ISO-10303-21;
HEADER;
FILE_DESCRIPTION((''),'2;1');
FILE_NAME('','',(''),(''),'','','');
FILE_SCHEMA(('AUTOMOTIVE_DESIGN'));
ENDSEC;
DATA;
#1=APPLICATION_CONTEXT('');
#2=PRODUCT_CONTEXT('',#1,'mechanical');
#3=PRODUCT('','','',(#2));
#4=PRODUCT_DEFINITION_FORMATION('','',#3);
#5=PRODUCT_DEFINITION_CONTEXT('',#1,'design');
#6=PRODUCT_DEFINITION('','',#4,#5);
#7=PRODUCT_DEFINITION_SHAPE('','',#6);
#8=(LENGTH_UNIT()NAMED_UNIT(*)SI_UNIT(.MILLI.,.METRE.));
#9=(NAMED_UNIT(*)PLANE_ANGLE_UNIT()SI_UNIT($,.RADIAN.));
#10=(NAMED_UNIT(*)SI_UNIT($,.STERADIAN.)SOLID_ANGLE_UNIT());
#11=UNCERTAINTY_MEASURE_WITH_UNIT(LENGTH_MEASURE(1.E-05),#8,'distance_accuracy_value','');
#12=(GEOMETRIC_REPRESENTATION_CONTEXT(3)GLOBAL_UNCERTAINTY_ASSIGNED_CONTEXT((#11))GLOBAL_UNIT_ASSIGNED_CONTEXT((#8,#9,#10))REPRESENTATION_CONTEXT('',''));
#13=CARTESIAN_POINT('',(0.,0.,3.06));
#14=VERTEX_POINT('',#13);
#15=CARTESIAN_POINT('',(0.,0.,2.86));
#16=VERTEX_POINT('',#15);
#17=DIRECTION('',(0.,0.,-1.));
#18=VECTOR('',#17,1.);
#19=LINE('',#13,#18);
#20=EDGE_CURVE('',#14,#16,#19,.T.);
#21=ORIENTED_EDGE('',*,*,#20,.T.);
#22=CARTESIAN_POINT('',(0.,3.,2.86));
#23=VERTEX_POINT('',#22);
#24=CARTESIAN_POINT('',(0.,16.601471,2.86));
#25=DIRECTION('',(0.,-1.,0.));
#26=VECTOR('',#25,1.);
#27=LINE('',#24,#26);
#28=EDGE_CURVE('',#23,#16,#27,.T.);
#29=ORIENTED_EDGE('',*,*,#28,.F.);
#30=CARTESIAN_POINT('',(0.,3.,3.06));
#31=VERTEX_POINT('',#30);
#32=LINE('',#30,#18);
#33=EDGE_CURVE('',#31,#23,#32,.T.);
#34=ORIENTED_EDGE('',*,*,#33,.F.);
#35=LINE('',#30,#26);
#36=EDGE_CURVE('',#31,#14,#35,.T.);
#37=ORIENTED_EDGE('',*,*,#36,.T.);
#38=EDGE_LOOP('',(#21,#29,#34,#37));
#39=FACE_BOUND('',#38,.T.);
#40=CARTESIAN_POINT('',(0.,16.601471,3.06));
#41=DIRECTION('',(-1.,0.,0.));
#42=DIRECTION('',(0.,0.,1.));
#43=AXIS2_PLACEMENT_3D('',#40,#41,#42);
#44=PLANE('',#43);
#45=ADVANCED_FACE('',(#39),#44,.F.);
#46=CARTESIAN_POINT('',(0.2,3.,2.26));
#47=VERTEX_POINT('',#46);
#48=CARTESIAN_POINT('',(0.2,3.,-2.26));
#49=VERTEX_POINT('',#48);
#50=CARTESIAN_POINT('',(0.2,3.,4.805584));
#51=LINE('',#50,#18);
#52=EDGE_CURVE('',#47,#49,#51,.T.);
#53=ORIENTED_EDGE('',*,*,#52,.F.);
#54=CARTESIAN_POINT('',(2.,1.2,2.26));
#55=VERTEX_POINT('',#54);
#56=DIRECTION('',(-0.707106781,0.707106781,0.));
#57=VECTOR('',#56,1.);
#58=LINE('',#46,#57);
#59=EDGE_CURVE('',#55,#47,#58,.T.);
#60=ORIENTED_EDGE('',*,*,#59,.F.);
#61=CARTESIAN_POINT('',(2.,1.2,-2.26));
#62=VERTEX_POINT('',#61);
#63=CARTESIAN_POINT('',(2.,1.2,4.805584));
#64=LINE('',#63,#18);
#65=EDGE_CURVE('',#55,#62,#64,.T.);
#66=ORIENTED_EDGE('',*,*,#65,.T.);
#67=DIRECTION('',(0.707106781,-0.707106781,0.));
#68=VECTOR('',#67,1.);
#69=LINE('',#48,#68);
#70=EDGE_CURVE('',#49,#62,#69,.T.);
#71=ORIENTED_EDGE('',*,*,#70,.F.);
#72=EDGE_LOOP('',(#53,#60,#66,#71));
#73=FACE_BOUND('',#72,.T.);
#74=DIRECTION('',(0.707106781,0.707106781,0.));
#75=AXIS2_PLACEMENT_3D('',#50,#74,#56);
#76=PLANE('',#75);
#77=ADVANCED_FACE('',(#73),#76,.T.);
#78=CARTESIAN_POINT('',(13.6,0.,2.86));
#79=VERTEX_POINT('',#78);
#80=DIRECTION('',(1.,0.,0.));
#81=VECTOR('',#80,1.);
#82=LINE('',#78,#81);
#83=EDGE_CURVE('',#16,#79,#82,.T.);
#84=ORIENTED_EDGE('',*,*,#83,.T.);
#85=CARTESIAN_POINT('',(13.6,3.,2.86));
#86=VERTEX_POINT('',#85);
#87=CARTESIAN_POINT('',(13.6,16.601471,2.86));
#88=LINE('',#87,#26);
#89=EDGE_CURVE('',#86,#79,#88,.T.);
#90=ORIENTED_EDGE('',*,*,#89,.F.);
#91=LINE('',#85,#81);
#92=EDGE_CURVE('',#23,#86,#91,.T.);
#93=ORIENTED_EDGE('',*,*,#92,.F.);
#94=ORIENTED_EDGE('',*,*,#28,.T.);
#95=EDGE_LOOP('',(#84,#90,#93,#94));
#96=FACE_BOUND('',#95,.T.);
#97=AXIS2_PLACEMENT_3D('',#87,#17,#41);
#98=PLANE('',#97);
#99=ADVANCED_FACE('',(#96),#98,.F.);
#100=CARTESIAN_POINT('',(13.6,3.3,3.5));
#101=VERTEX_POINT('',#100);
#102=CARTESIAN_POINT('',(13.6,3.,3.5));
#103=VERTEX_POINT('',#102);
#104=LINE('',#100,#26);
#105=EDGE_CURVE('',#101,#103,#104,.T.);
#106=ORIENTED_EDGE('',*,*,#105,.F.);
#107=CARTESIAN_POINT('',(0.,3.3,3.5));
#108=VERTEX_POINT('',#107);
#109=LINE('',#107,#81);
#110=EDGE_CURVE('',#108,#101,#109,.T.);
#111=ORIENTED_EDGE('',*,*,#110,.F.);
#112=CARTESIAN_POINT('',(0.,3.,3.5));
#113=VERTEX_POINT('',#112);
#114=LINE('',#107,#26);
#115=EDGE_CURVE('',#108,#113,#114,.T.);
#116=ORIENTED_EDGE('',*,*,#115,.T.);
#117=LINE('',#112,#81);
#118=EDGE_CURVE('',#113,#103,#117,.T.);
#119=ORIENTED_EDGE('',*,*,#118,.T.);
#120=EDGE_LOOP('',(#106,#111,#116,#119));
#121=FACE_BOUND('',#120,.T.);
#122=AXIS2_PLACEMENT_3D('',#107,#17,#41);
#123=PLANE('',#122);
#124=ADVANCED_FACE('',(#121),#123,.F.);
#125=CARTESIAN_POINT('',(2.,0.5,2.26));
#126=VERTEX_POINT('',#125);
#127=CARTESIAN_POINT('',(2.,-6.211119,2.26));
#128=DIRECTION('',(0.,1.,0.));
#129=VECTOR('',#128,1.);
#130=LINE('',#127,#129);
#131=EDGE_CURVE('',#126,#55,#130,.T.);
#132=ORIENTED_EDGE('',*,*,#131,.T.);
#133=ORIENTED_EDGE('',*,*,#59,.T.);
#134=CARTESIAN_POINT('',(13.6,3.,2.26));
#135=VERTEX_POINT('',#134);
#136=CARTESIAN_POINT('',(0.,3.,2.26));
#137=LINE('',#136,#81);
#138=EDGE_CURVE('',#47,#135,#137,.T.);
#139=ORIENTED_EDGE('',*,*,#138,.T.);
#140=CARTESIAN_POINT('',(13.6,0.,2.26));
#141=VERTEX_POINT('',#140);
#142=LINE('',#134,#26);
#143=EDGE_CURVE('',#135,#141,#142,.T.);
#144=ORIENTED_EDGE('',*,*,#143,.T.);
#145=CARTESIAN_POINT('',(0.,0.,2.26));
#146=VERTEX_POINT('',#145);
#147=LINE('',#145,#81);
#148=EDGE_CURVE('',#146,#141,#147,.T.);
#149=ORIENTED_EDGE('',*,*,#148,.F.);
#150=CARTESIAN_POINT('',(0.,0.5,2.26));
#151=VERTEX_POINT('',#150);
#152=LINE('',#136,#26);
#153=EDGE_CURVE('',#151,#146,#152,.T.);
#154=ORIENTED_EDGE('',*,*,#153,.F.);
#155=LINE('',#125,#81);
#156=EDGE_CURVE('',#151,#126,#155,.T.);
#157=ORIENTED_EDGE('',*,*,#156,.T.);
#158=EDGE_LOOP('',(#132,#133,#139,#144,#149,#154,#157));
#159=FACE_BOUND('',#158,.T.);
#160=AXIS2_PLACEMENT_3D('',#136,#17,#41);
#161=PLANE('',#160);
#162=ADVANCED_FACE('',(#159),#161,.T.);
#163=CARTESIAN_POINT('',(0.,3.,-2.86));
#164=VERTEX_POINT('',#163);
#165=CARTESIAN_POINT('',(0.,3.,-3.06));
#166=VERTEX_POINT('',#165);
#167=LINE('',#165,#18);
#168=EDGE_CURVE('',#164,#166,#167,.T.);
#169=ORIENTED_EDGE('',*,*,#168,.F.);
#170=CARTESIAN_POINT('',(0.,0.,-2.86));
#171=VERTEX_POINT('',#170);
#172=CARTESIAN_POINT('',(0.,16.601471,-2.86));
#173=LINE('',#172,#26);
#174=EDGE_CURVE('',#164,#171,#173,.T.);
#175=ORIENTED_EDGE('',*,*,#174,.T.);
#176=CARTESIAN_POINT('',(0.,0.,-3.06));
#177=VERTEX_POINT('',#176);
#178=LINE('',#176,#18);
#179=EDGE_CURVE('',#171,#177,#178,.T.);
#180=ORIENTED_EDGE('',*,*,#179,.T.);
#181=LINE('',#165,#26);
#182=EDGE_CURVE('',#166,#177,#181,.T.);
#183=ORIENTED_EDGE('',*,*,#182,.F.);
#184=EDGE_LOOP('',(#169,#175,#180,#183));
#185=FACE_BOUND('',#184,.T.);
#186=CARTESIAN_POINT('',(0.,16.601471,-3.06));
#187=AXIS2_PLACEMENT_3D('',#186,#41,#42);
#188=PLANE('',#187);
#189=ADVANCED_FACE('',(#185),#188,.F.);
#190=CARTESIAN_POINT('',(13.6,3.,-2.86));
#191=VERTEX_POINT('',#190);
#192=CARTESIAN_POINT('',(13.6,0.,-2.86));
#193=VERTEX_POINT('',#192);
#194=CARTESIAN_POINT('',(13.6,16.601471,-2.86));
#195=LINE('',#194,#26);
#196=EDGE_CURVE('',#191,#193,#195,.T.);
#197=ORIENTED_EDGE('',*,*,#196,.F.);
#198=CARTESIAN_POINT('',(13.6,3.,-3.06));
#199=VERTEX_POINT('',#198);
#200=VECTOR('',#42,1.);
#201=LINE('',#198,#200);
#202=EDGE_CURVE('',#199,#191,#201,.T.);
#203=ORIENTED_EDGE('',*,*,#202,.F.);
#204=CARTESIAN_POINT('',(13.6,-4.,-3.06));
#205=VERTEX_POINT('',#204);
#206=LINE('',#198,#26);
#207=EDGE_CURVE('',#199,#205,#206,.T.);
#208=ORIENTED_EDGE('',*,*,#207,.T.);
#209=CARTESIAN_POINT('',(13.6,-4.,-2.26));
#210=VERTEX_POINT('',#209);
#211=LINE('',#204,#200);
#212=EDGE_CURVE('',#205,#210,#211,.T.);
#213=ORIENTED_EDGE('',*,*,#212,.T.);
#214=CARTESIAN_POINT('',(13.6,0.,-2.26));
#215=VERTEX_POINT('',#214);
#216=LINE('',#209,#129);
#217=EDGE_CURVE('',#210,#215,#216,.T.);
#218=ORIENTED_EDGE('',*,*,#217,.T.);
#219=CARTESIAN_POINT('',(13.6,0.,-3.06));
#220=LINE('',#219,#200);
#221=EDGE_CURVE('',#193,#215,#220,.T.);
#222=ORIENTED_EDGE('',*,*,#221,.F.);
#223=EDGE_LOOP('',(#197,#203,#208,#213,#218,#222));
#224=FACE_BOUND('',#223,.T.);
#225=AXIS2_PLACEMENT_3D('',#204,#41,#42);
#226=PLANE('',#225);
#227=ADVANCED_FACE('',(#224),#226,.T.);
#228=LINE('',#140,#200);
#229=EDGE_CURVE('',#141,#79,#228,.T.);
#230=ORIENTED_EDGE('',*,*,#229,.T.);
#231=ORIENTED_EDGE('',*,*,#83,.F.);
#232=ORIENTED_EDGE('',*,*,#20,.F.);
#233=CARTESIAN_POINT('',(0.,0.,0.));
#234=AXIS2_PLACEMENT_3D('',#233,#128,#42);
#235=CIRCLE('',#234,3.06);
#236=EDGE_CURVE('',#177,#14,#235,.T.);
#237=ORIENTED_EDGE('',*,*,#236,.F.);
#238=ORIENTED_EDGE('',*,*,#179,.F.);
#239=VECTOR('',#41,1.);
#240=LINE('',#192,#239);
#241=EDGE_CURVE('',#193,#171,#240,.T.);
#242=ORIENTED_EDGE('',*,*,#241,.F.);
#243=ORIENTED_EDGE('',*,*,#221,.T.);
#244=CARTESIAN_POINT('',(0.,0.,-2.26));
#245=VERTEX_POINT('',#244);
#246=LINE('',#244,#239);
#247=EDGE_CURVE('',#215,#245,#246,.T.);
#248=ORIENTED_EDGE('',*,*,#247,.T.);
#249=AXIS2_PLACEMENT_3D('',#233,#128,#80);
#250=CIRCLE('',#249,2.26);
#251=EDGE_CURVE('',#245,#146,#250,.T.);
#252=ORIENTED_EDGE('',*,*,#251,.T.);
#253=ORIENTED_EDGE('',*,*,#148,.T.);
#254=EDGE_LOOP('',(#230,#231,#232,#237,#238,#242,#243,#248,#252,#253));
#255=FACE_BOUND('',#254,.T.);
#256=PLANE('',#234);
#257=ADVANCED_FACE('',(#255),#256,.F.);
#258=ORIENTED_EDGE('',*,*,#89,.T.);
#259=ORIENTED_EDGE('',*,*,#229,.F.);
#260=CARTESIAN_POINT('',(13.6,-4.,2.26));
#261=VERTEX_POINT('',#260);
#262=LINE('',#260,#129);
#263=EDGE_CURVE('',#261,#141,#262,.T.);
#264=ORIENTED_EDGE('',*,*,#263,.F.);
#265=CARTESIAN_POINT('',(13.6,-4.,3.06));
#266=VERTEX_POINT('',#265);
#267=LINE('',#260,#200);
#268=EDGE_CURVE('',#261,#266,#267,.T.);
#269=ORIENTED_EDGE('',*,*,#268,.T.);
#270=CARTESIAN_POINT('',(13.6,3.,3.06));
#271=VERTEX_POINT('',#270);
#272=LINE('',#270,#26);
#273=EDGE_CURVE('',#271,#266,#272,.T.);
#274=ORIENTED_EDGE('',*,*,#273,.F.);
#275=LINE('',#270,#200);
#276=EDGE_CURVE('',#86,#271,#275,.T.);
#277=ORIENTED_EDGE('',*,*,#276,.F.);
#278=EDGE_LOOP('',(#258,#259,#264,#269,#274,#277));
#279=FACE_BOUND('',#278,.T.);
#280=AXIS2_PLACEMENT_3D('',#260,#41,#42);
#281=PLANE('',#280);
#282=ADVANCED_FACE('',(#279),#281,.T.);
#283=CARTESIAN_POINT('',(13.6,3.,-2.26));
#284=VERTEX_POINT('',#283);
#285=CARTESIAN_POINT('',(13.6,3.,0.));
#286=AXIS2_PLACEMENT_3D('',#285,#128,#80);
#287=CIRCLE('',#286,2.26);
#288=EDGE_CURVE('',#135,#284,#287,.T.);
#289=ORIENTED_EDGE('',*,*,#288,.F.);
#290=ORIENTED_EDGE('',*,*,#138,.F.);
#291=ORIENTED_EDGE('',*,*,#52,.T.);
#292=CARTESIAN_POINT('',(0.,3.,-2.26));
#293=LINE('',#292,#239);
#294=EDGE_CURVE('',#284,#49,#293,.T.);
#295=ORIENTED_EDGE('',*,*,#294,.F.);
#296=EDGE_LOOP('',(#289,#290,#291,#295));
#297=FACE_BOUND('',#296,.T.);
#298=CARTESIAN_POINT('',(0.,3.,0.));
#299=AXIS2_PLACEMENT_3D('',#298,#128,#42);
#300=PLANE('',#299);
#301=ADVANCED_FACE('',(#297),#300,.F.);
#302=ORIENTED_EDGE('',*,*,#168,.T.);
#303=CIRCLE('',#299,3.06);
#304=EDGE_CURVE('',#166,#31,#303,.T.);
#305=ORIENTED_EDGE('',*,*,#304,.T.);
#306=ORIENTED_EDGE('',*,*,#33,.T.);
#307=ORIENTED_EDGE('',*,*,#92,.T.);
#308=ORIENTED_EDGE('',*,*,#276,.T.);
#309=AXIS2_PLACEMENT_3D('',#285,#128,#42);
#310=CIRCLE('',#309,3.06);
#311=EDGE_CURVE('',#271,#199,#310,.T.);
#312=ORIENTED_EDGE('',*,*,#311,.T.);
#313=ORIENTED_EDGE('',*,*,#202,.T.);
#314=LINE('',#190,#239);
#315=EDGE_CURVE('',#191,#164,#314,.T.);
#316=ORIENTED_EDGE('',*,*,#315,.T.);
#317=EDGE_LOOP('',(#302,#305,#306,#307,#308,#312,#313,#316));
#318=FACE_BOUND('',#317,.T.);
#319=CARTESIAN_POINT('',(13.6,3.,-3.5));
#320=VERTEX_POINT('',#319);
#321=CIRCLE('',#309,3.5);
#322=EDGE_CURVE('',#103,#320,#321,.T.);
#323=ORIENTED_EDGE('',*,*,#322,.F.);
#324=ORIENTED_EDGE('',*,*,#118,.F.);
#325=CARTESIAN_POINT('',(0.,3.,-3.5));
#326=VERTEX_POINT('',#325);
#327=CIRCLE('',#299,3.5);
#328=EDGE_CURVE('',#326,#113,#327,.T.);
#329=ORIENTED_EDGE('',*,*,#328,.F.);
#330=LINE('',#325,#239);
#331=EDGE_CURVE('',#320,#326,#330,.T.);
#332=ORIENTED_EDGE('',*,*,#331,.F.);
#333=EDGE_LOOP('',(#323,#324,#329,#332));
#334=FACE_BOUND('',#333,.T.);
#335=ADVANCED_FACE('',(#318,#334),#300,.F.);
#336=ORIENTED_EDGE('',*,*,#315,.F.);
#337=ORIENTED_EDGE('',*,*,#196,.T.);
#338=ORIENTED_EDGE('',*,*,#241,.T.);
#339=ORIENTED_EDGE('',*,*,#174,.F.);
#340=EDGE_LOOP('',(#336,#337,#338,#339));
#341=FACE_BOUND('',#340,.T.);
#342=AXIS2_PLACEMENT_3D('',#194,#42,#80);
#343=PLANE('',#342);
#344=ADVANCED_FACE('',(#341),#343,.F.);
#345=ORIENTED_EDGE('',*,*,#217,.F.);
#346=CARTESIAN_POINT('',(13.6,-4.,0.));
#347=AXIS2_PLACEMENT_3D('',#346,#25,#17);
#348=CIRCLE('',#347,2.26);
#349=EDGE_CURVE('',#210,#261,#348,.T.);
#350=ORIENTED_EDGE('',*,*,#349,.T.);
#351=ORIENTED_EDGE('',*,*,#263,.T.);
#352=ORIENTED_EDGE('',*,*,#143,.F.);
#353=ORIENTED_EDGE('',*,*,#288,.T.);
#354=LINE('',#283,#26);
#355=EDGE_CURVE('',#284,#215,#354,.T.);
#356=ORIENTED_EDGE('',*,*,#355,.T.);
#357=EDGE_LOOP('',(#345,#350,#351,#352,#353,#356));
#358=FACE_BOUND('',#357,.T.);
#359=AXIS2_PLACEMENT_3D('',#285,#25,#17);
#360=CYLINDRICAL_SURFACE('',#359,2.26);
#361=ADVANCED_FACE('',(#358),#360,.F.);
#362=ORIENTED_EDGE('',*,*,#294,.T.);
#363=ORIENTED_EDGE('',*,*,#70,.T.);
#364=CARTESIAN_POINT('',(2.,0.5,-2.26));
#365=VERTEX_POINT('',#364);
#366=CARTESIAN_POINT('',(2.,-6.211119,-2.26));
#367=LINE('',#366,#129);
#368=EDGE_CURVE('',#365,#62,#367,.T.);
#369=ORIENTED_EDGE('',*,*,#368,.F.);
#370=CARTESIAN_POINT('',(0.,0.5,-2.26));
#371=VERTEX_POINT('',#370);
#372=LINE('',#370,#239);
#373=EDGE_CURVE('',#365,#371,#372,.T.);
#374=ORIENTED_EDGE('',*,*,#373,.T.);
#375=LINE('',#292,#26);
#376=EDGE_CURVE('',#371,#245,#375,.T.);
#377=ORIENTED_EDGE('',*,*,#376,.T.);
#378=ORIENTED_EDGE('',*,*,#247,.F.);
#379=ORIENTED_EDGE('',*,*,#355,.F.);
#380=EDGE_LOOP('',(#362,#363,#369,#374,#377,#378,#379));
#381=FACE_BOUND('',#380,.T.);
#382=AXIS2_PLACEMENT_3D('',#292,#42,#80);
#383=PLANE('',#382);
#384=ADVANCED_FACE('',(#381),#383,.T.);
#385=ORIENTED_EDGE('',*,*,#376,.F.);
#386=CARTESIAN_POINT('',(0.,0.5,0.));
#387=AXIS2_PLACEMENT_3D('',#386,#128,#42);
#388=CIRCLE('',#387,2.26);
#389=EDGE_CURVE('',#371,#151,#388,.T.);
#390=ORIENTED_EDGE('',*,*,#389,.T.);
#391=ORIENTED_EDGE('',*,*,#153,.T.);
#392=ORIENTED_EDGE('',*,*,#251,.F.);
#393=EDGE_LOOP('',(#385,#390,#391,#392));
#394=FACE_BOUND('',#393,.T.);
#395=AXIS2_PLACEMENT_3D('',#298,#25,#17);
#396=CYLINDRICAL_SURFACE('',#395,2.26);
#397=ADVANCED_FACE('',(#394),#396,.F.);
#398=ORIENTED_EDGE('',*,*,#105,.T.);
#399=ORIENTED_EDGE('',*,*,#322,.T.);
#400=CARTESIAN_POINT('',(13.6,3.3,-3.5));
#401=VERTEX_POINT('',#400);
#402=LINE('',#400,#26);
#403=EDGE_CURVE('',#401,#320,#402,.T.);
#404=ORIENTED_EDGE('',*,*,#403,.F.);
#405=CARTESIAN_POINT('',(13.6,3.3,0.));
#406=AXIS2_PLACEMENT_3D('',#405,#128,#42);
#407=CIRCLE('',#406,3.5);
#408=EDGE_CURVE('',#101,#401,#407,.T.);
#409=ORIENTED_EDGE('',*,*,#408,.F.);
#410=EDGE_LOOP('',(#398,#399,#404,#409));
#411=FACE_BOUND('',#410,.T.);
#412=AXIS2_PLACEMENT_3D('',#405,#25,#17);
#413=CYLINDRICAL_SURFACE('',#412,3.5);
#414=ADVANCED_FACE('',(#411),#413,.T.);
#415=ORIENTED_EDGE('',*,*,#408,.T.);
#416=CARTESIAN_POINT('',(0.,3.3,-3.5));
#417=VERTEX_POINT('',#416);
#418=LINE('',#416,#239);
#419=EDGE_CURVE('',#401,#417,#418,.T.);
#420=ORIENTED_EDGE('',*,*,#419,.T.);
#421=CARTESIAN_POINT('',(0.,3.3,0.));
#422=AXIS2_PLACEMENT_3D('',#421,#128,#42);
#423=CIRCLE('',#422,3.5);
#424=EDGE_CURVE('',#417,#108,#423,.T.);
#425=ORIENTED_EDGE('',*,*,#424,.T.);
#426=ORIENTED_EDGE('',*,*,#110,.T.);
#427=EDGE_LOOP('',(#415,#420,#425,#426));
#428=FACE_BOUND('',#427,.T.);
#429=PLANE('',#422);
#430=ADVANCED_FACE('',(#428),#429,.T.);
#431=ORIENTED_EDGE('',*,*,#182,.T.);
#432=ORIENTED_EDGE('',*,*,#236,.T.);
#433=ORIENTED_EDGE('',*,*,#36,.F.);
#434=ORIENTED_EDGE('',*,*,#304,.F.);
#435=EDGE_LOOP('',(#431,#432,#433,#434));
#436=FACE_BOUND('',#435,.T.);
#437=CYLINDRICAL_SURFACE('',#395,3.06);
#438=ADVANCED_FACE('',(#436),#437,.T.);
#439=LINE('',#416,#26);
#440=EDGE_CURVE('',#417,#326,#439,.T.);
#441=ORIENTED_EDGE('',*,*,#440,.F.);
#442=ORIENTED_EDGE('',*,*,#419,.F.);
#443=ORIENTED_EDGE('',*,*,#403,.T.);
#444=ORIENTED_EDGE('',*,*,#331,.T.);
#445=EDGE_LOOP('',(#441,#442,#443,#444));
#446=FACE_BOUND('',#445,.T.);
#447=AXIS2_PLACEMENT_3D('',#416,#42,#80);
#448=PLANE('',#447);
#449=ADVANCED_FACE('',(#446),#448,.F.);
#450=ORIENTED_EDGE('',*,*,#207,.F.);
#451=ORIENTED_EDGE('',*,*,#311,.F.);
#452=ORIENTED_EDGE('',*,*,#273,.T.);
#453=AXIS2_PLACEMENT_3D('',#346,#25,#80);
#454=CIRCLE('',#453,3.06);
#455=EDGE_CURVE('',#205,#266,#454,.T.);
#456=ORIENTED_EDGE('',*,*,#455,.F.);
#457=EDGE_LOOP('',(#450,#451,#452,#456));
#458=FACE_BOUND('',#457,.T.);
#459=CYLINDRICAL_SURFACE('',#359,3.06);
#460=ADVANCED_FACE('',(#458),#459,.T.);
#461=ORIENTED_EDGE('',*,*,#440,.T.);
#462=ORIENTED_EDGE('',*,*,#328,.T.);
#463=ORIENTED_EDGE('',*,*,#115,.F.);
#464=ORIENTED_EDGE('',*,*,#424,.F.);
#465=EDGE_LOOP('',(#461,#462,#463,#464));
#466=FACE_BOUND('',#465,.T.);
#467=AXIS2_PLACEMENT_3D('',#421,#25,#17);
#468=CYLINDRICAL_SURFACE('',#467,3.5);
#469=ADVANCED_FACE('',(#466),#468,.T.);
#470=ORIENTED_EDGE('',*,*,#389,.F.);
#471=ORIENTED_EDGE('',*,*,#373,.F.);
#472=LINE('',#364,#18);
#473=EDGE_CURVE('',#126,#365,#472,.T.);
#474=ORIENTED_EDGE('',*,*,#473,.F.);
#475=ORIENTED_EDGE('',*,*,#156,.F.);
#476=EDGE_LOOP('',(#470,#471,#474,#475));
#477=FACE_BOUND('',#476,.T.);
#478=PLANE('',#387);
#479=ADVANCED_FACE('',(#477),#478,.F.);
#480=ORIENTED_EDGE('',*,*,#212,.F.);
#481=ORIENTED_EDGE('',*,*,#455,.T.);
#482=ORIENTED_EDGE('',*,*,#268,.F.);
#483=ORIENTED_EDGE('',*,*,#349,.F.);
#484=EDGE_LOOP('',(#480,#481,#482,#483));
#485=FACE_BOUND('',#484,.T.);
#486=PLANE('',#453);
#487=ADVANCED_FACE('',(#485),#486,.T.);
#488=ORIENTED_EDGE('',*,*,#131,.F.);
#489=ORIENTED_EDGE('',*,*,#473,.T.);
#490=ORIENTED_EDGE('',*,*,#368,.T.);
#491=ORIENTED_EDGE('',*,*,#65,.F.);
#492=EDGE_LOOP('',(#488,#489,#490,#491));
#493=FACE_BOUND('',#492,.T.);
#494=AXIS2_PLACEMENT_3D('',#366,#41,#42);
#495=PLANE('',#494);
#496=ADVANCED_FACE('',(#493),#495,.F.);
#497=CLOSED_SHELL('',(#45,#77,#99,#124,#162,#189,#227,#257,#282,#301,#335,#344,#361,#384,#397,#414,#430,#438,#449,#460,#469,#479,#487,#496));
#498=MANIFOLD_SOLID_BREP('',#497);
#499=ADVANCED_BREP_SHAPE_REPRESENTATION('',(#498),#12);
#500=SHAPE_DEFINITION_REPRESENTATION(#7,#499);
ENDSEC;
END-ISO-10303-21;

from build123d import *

# Parameters (mm, degrees)
EXTRUDE_1_DEPTH     = 3
EXTRUDE_1_2_DEPTH   = 0.3
EXTRUDE_START       = 2.5
EXTRUDE_2_DEPTH     = 2.5
CUT_EXTRUDE_1_DEPTH = 4.52
EXTRUDE_START_2     = 4
EXTRUDE_2_2_DEPTH   = 4
SKETCH_6_W          = 13.6
SKETCH_6_H          = 0.2
CUT_EXTRUDE_2_DEPTH = 3


with BuildPart() as part:
    # Эскиз1 → Extrude 1 (new body)
    with BuildSketch(Plane(origin=(0, 0, 0), x_dir=(1, 0, 0), z_dir=(0, 1, 0))):
        with BuildLine():
            Line((13.6, -3.06), (0, -3.06))
            ThreePointArc((0, -3.06), (-3.06, 0), (0, 3.06))
            Line((0, 3.06), (13.6, 3.06))
            ThreePointArc((13.6, 3.06), (16.66, 0), (13.6, -3.06))
        make_face()
        with BuildLine():
            Line((13.6, -2.26), (0, -2.26))
            ThreePointArc((0, -2.26), (-2.26, 0), (0, 2.26))
            Line((0, 2.26), (13.6, 2.26))
            ThreePointArc((13.6, 2.26), (15.86, 0), (13.6, -2.26))
        make_face(mode=Mode.SUBTRACT)
    extrude(amount=EXTRUDE_1_DEPTH)

    # Эскиз2 → Extrude 1 2 (add)
    with BuildSketch(Plane(origin=(0, 3, 0), x_dir=(1, 0, 0), z_dir=(0, 1, 0))):
        with BuildLine():
            Line((0, 3.5), (13.6, 3.5))
            ThreePointArc((13.6, 3.5), (17.1, 0), (13.6, -3.5))
            Line((13.6, -3.5), (0, -3.5))
            ThreePointArc((0, -3.5), (-3.5, 0), (0, 3.5))
        make_face()
    extrude(amount=EXTRUDE_1_2_DEPTH)

    # Эскиз3 → Extrude 2 (add)
    with BuildSketch(Plane.XZ.offset(-3).offset(EXTRUDE_START)):
        with BuildLine():
            Line((0, -2.26), (2, -2.26))
            Line((2, -2.26), (2, 2.26))
            Line((2, 2.26), (0, 2.26))
            ThreePointArc((0, 2.26), (-2.26, 0), (0, -2.26))
        make_face()
    extrude(amount=-EXTRUDE_2_DEPTH)

    # Эскиз4 → Вырез-Вытянуть1 (cut)
    with BuildSketch(Plane.XY.offset(-2.26)):
        Polygon((2, 3), (0.2, 3), (2, 1.2), align=None)
    extrude(amount=CUT_EXTRUDE_1_DEPTH, mode=Mode.SUBTRACT)

    # Эскиз5 → Extrude 2 2 (add)
    with BuildSketch(Plane.XZ.offset(EXTRUDE_START_2)):
        with BuildLine():
            ThreePointArc((13.6, -2.26), (15.86, 0), (13.6, 2.26))
            Line((13.6, 2.26), (13.6, 3.06))
            ThreePointArc((13.6, 3.06), (16.66, 0), (13.6, -3.06))
            Line((13.6, -3.06), (13.6, -2.26))
        make_face()
    extrude(amount=-EXTRUDE_2_2_DEPTH)

    # Эскиз6 → Вырез-Вытянуть2 (cut)
    with BuildSketch(Plane.XZ):
        with Locations((6.8, 2.96)):
            Rectangle(SKETCH_6_W, SKETCH_6_H)
        with Locations((6.8, -2.96)):
            Rectangle(SKETCH_6_W, SKETCH_6_H)
    extrude(amount=-CUT_EXTRUDE_2_DEPTH, mode=Mode.SUBTRACT)


solid = part.part
